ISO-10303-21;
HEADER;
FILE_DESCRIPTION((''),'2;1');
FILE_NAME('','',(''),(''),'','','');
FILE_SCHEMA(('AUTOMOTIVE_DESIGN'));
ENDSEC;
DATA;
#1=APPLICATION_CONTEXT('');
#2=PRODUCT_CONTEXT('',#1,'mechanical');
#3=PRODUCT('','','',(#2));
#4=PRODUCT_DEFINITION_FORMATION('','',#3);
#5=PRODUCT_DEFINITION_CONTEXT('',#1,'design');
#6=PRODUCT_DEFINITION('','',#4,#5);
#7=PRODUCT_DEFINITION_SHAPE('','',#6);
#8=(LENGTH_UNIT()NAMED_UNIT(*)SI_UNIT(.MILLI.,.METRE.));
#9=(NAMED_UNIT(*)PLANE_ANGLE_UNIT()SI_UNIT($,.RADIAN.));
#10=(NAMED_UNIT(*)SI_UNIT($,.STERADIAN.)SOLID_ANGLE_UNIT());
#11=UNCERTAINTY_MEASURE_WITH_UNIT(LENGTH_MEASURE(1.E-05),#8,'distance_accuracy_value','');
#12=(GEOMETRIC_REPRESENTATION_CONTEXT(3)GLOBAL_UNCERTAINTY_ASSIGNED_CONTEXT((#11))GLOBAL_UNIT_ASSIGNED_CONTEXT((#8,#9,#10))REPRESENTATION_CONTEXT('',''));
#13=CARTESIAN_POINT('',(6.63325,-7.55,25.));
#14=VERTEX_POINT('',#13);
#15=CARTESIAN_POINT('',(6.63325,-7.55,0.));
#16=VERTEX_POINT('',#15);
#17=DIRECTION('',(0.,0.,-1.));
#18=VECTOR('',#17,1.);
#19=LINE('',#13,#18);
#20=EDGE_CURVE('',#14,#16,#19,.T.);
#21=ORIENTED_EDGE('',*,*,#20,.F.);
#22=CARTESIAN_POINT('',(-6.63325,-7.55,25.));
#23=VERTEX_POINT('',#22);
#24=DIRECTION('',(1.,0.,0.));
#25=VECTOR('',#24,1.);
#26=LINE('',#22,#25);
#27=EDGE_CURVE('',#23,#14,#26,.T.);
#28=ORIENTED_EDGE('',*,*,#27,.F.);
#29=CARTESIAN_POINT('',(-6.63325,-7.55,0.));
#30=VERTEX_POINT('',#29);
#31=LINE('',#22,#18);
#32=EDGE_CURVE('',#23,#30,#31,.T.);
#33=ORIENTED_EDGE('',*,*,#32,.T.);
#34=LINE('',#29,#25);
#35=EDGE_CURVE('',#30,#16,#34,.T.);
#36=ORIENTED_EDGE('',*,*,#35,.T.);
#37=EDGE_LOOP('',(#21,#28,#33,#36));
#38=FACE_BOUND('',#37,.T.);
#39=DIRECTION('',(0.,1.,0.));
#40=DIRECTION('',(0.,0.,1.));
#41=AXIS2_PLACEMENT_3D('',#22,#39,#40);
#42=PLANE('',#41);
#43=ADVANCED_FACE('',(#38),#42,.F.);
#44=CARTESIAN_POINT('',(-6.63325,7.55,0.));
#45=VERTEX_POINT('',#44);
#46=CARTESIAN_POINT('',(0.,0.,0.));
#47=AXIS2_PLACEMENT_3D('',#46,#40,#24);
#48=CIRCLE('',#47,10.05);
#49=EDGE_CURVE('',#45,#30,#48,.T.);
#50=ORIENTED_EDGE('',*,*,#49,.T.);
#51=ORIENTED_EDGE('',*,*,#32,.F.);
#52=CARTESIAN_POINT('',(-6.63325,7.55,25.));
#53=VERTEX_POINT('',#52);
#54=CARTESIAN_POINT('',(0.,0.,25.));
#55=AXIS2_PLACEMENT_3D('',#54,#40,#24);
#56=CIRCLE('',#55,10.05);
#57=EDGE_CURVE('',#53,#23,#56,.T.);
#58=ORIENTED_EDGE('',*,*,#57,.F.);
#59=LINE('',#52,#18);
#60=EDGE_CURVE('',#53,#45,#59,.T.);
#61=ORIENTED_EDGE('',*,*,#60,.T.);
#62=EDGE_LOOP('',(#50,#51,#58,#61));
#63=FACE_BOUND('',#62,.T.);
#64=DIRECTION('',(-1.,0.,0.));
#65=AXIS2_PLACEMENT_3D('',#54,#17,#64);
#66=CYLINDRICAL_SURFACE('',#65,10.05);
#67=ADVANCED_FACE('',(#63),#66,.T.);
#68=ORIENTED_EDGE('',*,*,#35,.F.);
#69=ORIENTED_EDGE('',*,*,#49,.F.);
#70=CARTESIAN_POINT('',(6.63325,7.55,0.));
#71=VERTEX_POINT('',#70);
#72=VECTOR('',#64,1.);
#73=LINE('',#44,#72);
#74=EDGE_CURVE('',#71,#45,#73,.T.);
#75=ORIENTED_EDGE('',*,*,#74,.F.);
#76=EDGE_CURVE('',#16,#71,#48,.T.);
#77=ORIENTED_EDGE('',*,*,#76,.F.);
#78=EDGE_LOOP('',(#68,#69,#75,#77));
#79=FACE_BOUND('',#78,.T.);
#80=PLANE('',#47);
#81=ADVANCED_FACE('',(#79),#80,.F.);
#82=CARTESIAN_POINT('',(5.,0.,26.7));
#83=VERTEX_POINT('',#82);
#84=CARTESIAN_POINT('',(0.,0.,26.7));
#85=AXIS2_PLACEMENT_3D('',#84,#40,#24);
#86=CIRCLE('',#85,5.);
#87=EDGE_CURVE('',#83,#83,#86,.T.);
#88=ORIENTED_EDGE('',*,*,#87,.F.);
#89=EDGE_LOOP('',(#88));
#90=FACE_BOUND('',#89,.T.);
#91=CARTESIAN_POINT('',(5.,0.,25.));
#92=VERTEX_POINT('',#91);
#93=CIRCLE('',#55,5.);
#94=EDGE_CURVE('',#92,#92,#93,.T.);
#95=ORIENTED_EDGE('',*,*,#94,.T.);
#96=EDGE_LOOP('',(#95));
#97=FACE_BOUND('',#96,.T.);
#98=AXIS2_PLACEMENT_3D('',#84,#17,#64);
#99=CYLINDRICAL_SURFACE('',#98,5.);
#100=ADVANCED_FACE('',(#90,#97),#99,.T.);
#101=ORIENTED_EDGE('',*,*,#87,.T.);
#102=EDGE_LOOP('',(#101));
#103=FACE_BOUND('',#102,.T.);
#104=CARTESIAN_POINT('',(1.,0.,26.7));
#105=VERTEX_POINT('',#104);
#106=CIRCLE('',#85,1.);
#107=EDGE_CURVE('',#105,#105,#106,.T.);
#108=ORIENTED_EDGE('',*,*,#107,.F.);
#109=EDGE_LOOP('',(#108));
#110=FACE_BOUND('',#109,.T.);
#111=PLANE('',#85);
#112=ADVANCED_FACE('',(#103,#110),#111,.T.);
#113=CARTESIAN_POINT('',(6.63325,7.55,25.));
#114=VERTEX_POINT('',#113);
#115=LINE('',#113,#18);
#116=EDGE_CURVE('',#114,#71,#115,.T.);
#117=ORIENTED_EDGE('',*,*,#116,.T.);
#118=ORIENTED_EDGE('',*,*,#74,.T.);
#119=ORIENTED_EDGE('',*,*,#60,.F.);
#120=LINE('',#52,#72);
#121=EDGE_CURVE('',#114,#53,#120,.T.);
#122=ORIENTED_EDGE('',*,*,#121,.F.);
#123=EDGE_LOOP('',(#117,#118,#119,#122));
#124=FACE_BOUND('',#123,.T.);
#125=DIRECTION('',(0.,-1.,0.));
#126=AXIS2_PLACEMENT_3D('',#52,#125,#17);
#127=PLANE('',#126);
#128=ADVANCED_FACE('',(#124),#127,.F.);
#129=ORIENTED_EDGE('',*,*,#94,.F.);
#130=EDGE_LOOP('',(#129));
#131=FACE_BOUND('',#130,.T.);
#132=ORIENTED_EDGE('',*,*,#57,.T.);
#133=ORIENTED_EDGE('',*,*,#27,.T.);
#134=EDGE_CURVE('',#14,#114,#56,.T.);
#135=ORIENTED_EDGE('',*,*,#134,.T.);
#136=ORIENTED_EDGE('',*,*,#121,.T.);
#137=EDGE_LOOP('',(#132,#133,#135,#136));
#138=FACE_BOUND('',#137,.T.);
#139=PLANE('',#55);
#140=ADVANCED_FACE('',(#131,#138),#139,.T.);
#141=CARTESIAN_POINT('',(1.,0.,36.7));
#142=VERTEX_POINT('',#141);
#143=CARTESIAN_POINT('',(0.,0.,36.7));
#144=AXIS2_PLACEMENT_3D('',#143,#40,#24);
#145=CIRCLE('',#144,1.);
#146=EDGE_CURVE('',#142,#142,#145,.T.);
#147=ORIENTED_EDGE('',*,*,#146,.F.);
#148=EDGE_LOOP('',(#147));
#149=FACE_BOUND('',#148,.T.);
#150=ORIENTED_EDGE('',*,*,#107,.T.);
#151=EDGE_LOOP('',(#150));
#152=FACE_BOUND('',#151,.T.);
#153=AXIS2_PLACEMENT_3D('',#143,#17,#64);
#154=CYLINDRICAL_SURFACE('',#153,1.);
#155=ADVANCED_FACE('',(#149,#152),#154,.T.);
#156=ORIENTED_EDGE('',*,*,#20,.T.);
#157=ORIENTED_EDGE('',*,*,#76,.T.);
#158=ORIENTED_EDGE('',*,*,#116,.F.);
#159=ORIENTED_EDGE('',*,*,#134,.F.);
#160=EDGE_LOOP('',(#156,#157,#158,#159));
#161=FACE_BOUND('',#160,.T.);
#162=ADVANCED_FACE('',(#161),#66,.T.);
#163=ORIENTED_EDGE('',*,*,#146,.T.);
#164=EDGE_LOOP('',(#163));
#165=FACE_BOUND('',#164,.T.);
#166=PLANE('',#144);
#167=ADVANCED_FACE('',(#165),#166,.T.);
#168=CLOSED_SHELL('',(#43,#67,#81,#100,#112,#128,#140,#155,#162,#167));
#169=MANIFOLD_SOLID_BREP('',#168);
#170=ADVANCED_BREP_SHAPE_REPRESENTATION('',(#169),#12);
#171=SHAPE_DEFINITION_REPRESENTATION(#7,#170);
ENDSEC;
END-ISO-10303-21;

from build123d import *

# Parameters (mm, degrees)
BOSS_EXTRUDE1_DEPTH = 25
SKETCH2_R           = 5
BOSS_EXTRUDE2_DEPTH = 1.7
SKETCH3_R           = 1
BOSS_EXTRUDE3_DEPTH = 10


with BuildPart() as part:
    # Sketch1 → Boss-Extrude1 (new body)
    with BuildSketch(Plane.XY):
        with BuildLine():
            Line((-6.633249581, -7.55), (6.633249581, -7.55))
            ThreePointArc((6.633249581, -7.55), (10.05, 0), (6.633249581, 7.55))
            Line((6.633249581, 7.55), (-6.633249581, 7.55))
            ThreePointArc((-6.633249581, 7.55), (-10.05, 0), (-6.633249581, -7.55))
        make_face()
    extrude(amount=BOSS_EXTRUDE1_DEPTH)

    # Sketch2 → Boss-Extrude2 (add)
    with BuildSketch(Plane.XY.offset(25)):
        Circle(SKETCH2_R)
    extrude(amount=BOSS_EXTRUDE2_DEPTH)

    # Sketch3 → Boss-Extrude3 (add)
    with BuildSketch(Plane.XY.offset(26.7)):
        Circle(SKETCH3_R)
    extrude(amount=BOSS_EXTRUDE3_DEPTH)


solid = part.part
